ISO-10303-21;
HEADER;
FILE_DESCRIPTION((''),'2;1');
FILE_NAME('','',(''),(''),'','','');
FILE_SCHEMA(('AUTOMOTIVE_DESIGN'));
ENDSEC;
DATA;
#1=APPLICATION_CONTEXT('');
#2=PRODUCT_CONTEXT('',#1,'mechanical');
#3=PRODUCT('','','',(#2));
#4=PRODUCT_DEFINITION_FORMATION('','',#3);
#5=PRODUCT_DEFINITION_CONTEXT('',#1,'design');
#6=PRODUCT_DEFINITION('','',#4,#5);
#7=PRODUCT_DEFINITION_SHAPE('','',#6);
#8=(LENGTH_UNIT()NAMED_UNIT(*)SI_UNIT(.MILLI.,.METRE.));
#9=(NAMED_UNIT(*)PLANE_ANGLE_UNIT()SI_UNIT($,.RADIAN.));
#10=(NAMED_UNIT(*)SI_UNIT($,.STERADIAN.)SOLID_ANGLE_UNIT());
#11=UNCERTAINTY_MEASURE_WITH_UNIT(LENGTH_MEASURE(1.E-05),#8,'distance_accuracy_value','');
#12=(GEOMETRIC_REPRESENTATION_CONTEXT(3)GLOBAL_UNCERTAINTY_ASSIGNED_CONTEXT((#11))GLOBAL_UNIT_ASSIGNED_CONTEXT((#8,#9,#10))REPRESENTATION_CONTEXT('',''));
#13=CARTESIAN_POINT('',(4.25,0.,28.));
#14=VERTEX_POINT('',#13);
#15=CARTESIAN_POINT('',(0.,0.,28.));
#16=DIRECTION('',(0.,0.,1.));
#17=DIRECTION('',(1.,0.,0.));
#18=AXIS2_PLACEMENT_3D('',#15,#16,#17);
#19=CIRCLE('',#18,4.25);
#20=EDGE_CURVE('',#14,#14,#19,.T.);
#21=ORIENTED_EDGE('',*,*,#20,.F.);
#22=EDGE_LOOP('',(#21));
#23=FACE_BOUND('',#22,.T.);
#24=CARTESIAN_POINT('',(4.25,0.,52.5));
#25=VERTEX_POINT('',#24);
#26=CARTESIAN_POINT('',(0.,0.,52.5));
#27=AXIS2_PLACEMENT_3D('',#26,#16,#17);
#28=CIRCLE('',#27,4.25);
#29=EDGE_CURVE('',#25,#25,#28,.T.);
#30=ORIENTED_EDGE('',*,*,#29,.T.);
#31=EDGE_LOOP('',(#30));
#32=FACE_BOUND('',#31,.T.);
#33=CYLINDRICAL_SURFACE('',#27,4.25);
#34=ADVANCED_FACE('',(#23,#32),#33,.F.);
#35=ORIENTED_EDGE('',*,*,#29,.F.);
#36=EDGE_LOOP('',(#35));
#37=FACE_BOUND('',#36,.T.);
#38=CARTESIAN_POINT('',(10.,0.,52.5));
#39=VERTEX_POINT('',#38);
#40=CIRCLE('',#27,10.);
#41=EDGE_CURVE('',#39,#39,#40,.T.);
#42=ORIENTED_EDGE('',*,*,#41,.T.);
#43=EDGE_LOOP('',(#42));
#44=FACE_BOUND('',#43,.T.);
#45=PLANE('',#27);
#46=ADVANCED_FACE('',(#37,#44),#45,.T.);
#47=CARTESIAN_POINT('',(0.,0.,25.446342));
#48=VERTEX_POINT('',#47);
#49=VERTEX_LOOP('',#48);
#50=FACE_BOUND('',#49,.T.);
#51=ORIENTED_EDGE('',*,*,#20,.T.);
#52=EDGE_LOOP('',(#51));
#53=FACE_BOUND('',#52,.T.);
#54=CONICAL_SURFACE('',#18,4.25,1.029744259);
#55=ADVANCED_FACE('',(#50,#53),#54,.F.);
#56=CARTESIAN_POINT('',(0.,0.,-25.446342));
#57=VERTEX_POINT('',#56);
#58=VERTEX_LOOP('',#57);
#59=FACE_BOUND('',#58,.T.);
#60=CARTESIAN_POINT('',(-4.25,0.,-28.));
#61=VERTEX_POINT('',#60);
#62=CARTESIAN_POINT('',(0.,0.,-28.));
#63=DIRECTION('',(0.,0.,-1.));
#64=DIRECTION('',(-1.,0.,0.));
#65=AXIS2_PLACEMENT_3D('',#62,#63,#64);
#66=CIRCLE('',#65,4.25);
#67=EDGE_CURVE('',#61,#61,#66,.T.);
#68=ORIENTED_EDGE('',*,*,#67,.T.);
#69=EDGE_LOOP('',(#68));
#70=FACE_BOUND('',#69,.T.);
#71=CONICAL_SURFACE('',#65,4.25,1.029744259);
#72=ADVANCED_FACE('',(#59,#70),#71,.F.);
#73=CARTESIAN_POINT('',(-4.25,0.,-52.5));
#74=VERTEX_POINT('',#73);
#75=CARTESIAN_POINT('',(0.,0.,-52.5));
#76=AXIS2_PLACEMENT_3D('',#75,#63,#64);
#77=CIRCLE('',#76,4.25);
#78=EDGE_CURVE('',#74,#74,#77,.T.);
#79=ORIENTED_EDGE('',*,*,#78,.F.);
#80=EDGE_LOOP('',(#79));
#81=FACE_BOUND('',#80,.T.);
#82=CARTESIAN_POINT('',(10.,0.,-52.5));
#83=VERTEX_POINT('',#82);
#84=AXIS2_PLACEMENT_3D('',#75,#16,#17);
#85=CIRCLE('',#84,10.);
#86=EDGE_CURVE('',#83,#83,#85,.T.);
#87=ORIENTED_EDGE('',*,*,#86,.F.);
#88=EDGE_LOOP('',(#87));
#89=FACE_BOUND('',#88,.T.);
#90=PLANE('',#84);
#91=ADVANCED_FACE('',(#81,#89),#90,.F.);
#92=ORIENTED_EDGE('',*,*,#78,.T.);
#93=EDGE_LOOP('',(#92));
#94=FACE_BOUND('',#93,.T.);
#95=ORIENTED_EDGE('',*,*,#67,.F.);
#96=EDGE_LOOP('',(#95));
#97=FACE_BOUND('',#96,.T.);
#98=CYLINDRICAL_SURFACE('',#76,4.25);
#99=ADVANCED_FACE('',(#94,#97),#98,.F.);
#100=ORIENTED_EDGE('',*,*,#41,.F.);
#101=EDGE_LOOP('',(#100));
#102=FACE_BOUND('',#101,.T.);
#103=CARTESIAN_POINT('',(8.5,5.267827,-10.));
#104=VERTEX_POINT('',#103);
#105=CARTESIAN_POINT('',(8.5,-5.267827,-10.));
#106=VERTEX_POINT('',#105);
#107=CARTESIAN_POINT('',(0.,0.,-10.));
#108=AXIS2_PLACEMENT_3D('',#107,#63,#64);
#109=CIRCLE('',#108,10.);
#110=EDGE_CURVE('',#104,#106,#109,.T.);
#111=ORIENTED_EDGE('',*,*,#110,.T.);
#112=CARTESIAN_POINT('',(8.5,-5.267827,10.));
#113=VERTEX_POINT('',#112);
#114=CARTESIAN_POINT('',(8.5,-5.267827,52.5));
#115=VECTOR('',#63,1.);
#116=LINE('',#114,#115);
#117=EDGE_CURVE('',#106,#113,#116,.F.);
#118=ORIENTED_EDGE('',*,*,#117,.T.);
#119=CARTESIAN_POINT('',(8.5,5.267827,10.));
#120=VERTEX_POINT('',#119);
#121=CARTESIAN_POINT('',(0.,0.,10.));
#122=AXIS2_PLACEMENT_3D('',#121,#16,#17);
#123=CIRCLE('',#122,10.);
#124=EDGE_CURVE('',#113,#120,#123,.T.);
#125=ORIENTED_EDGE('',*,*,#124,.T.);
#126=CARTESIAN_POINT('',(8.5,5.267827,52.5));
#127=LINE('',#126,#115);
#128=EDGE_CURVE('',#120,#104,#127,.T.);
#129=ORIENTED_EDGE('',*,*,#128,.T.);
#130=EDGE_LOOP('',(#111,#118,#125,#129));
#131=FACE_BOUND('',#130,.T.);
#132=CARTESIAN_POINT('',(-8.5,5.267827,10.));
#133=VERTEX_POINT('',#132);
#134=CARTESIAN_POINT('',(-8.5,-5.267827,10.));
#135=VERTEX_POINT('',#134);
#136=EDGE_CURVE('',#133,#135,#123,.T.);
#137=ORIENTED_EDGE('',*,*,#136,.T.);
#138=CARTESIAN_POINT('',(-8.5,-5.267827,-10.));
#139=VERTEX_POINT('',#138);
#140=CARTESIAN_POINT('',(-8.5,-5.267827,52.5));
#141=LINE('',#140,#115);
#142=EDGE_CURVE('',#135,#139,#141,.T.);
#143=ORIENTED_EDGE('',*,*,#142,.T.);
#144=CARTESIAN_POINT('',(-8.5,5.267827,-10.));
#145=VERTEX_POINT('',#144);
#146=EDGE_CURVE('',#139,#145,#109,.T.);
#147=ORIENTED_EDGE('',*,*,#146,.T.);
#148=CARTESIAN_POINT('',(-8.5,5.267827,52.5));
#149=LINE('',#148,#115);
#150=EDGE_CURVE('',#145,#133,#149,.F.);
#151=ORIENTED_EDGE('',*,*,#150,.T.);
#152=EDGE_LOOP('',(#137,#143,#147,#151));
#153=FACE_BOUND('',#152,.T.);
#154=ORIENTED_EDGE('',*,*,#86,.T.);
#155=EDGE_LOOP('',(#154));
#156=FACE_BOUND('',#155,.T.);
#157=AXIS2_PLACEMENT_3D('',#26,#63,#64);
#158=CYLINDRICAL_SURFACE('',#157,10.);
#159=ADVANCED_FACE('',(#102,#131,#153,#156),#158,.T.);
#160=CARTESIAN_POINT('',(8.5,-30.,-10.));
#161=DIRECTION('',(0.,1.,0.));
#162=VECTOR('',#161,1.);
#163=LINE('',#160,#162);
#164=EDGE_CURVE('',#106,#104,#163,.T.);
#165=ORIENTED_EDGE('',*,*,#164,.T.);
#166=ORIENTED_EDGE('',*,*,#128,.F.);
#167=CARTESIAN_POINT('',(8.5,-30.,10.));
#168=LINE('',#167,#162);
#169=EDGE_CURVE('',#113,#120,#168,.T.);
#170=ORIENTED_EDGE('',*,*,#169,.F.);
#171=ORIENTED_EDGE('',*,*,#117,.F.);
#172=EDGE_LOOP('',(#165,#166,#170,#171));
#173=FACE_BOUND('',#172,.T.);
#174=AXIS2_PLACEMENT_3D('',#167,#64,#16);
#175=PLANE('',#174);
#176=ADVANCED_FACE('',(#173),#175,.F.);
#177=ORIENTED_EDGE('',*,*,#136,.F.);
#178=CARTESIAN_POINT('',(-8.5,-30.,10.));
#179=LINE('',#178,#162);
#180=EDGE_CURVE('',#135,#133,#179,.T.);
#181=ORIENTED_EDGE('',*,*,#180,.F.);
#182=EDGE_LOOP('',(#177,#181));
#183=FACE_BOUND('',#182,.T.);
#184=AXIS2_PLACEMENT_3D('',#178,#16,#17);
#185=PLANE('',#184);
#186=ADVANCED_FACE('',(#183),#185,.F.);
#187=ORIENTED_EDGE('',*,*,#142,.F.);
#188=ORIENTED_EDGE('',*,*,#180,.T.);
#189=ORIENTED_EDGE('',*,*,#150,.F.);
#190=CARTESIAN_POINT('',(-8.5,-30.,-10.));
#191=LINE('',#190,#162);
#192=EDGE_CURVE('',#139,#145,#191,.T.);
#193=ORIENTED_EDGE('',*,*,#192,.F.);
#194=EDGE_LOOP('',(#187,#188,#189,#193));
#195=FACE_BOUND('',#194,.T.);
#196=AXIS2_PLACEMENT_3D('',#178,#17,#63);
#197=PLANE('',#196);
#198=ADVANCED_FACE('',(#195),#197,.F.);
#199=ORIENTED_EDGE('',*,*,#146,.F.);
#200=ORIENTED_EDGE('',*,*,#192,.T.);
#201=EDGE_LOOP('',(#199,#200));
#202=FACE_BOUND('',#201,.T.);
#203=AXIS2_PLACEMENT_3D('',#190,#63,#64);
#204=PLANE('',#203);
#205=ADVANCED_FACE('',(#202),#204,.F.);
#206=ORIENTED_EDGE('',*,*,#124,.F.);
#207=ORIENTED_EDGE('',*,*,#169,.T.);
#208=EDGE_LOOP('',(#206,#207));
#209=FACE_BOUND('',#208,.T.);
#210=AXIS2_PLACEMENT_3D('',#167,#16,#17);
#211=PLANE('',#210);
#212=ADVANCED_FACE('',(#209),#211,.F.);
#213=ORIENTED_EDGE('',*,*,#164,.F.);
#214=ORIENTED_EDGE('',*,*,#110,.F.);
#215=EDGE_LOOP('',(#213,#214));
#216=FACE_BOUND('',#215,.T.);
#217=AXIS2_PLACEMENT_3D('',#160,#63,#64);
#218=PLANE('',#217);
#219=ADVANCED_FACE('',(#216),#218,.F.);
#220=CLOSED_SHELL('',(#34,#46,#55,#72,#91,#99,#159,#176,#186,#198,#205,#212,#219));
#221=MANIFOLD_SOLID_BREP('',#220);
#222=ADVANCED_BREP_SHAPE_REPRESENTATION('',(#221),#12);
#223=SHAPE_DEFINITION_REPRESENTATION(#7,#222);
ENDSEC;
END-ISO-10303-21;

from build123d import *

# Parameters (mm, degrees)
SKETCH_1_R          = 10
EXTRUDE_1_DEPTH     = 52.5
SKETCH_2_W          = 3
SKETCH_2_H          = 20
CUT_EXTRUDE_1_DEPTH = 30


with BuildPart() as part:
    # 草图1 → 凸台-拉伸1 (new body, symmetric)
    with BuildSketch(Plane.XY):
        Circle(SKETCH_1_R)
    extrude(amount=EXTRUDE_1_DEPTH, both=True)

    # 草图2 → 切除-拉伸1 (cut, symmetric)
    with BuildSketch(Plane(origin=(0, 0, 0), x_dir=(1, 0, 0), z_dir=(0, 1, 0))):
        with Locations((-10, 0)):
            Rectangle(SKETCH_2_W, SKETCH_2_H)
        with Locations((10, 0)):
            Rectangle(SKETCH_2_W, SKETCH_2_H)
    extrude(amount=CUT_EXTRUDE_1_DEPTH, both=True, mode=Mode.SUBTRACT)

    # 草图4 → M10 螺纹孔1 (revolve, cut)
    with BuildSketch(Plane(origin=(0, 0, 52.5), x_dir=(0, -1, 0), z_dir=(1, 0, 0))):
        Polygon((0, 0), (0, 27.053657631), (4.25, 24.5), (4.25, 0), align=None)
    hole_wizard_m10_1 = revolve(axis=Axis((0, 0, 58.85), (0, 0, -1)), mode=Mode.SUBTRACT)

    # 镜向1: M10 螺纹孔1 across plane
    add(hole_wizard_m10_1.mirror(Plane.XY), mode=Mode.SUBTRACT)


solid = part.part
